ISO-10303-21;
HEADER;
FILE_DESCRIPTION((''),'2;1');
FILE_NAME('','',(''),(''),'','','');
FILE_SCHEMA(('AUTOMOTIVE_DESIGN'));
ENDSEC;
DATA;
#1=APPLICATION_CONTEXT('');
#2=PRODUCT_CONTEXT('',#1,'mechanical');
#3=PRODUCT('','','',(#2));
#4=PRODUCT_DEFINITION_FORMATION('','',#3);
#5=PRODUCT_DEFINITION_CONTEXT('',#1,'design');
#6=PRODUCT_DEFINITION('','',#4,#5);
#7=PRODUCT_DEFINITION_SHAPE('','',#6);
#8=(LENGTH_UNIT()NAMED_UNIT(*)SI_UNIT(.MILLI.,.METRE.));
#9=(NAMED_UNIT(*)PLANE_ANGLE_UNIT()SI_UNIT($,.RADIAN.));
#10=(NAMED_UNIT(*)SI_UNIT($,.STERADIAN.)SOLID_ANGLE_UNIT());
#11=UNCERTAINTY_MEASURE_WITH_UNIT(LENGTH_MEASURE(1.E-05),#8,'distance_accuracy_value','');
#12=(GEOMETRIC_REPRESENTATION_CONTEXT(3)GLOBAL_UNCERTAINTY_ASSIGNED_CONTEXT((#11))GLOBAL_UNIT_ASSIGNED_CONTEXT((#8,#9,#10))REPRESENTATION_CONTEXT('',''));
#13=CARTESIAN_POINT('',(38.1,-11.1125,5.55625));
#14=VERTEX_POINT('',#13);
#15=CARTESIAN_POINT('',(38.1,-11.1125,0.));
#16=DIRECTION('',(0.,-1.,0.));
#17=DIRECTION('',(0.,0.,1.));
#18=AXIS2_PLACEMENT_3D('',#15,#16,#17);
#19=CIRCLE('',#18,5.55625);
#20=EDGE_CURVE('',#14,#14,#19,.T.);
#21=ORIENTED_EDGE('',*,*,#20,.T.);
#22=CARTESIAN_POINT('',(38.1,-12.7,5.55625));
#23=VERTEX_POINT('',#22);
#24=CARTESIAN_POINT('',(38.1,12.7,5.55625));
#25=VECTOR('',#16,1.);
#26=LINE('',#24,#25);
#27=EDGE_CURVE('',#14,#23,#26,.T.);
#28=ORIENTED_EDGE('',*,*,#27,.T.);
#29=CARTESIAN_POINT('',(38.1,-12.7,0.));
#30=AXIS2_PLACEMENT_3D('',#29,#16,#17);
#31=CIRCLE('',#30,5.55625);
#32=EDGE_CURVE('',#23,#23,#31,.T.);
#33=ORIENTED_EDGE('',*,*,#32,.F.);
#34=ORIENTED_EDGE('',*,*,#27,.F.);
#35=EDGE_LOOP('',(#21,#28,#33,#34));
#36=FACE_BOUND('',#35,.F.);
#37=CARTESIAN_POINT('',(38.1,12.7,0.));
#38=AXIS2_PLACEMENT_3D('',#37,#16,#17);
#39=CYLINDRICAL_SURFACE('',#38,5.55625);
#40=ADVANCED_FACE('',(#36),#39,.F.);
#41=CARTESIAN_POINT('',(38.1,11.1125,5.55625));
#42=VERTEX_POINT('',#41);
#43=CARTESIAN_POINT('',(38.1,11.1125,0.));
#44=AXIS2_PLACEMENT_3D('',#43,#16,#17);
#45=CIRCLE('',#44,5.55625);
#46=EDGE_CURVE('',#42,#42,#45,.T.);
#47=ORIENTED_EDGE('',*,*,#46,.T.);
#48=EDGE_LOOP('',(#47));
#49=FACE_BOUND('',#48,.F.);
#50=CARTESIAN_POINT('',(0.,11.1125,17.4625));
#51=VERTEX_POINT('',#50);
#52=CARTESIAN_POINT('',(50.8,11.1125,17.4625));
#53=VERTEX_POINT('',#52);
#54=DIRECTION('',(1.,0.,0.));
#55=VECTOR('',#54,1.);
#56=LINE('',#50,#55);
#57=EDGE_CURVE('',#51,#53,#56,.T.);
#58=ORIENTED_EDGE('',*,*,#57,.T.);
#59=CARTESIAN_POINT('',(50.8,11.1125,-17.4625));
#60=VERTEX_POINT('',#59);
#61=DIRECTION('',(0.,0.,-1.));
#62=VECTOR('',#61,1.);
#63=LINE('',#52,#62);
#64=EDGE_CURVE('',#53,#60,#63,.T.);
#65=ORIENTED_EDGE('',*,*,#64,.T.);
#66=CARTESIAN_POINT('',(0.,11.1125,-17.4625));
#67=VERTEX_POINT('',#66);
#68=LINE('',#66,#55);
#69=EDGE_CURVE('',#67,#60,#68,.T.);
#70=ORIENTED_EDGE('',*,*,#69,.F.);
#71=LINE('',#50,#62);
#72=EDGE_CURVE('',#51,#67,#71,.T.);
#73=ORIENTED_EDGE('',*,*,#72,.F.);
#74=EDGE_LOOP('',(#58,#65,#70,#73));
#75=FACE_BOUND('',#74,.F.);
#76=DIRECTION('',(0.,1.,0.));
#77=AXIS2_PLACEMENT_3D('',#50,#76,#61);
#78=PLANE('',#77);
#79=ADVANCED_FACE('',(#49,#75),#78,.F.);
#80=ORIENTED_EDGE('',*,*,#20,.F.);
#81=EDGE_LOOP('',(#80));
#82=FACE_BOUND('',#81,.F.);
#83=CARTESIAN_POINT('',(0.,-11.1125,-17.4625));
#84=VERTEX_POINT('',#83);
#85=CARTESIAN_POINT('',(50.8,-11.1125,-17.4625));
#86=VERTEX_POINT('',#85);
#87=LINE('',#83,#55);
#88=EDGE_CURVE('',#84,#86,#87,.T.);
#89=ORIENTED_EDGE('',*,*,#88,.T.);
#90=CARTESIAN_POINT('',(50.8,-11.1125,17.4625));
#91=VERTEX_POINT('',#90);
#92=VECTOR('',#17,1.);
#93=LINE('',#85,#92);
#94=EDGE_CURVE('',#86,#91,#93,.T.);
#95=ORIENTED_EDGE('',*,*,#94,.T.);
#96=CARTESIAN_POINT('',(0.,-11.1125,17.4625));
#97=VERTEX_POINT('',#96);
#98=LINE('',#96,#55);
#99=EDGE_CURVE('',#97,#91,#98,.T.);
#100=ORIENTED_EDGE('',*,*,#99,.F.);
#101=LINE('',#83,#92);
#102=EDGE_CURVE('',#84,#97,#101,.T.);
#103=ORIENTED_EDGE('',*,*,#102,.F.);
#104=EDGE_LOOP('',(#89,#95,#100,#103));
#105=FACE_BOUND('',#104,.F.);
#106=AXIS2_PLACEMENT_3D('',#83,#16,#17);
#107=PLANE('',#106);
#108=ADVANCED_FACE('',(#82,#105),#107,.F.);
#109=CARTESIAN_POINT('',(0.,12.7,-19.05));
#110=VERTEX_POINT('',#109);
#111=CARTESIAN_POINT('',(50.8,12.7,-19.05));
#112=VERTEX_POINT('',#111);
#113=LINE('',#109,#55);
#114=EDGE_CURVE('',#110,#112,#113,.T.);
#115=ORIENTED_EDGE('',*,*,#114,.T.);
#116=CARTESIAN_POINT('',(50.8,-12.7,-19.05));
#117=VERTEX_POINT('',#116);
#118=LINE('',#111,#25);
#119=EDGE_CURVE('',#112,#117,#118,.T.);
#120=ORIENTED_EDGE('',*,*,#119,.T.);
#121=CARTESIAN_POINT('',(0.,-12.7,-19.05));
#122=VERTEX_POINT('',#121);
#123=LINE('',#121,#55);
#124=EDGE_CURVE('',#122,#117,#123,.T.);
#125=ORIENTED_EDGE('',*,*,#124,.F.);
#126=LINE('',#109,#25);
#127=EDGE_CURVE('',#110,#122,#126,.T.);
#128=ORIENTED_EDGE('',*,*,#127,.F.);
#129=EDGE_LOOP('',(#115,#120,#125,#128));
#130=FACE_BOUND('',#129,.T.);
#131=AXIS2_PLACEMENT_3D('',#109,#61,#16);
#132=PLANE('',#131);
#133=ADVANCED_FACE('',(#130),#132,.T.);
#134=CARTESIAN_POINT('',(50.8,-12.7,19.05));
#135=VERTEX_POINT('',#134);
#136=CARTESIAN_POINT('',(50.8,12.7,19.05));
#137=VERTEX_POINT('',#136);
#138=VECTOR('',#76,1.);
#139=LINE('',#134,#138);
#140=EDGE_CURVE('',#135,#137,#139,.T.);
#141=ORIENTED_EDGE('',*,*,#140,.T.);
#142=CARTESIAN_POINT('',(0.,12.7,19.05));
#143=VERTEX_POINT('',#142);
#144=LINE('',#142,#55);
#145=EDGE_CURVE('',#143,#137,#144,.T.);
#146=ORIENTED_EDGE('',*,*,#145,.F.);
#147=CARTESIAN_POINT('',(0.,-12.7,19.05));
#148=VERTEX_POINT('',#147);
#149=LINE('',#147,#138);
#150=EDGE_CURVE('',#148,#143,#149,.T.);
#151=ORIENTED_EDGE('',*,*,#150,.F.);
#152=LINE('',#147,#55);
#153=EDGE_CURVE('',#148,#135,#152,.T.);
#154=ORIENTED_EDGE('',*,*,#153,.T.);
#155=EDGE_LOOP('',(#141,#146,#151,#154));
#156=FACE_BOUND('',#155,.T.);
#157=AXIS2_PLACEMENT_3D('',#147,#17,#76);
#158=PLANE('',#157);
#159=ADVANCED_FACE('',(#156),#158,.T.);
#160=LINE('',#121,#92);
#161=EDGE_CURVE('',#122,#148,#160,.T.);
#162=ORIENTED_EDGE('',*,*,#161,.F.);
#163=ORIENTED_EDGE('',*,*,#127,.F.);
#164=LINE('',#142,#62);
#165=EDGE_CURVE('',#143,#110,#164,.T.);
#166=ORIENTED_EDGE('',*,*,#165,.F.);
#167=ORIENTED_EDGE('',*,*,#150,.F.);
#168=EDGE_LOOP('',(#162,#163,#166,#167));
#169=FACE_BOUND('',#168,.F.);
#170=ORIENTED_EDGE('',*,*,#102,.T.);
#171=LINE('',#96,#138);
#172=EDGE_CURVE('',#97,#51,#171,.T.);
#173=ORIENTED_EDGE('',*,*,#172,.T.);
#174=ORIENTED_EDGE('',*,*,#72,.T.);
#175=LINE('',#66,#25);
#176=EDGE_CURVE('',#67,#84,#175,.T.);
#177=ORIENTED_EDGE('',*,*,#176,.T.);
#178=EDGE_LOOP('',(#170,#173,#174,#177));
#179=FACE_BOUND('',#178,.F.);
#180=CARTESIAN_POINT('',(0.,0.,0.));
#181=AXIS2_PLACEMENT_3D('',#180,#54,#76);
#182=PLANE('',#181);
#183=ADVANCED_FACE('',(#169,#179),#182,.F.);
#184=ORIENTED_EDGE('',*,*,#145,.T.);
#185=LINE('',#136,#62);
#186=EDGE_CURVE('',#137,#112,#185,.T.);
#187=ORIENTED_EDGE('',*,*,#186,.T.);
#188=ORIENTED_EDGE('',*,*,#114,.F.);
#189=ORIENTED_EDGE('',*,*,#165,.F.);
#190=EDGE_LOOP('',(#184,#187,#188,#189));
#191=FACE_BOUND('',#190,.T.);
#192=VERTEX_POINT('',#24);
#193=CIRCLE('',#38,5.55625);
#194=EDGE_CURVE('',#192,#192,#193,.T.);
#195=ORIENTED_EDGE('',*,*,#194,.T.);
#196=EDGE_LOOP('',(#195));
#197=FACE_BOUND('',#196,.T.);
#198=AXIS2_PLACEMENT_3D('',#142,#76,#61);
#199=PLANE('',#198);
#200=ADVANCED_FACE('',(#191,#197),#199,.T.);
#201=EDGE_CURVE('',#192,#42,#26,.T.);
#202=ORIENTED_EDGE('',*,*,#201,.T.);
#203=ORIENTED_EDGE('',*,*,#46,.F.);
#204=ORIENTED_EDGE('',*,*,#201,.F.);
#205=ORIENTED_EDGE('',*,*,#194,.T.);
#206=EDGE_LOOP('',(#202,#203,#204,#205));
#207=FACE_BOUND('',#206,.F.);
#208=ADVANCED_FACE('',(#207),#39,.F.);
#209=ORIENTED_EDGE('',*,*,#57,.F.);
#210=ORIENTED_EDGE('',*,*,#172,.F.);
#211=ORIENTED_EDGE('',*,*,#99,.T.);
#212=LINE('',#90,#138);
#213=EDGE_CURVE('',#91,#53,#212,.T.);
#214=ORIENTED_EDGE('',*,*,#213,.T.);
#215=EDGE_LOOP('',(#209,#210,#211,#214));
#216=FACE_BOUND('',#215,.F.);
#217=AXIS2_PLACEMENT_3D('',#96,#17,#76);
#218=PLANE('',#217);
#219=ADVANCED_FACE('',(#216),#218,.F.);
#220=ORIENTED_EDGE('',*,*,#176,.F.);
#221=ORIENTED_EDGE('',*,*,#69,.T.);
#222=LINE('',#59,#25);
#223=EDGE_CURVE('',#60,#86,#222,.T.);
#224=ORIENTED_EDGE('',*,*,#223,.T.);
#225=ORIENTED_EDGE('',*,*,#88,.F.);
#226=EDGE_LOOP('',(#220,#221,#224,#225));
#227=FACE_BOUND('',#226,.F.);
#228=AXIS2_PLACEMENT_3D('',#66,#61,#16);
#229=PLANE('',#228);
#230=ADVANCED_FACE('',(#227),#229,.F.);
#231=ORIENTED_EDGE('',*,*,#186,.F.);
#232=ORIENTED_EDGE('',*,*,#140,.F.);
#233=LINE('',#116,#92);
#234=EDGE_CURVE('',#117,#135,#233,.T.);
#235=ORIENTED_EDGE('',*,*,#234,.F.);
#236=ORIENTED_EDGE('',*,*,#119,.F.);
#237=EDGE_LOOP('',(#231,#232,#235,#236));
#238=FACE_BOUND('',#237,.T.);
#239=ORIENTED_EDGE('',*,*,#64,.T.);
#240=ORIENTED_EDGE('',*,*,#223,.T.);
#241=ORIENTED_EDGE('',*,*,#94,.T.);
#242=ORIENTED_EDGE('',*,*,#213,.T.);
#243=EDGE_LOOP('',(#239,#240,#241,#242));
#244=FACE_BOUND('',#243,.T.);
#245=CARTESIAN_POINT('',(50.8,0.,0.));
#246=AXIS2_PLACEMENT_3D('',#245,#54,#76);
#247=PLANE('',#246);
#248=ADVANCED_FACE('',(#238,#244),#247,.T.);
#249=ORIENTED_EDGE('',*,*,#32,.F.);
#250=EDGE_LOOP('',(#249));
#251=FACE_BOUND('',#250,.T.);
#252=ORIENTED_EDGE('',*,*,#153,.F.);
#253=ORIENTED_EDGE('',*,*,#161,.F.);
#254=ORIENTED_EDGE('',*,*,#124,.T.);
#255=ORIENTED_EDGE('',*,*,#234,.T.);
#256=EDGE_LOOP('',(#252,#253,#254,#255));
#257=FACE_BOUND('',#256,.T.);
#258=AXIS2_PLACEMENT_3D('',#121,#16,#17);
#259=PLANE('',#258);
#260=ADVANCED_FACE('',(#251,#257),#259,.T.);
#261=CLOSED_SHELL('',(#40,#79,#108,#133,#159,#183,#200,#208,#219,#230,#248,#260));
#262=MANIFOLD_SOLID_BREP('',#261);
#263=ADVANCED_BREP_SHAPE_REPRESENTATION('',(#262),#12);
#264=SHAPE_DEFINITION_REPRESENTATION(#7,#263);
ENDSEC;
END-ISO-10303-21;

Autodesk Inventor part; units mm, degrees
ref_plane "Work Plane3" through (0, 12.7, 0) normal (0, 1, 0) x (-1, 0, 0)
ref_plane "Start Plane" through (0, 0, 0) normal (1, 0, 0) x (0, 1, 0)
ref_plane "End Plane" through (50.8, 0, 0) normal (1, 0, 0) x (0, 1, 0)
sketch "Sketch" plane through (0, 0, 0) normal (1, 0, 0) x (0, 1, 0)
  line L0 (-12.7, 19.05) -> (12.7, 19.05)
  line L1 (12.7, 19.05) -> (12.7, -19.05)
  line L2 (12.7, -19.05) -> (-12.7, -19.05)
  line L3 (-12.7, -19.05) -> (-12.7, 19.05)
  line L4 (-12.7, 19.05) -> (12.7, -19.05) construction
  line L5 (12.7, 19.05) -> (-12.7, -19.05) construction
  line L6 (-11.1125, 17.4625) -> (11.1125, 17.4625)
  line L7 (11.1125, 17.4625) -> (11.1125, -17.4625)
  line L8 (11.1125, -17.4625) -> (-11.1125, -17.4625)
  line L9 (-11.1125, -17.4625) -> (-11.1125, 17.4625)
  line L10 (-11.1125, 17.4625) -> (11.1125, -17.4625) construction
  line L11 (11.1125, 17.4625) -> (-11.1125, -17.4625) construction
  point P0 (0, 0)
  dimension "d0" = 38.1
  dimension "d1" = 25.4
  dimension "d2" = 1.5875
  dimension "d3" = 1.5875
extrude "Body" add sketch "Sketch" along normal up to surface (50.8 mm away) from surface at 0
sketch "Sketch8" plane through (0, 0, 0) normal (1, 0, 0) x (0, 1, 0)
  line L0 (0, 0) -> (10, 0)
ref_plane "Work Plane6" through (0, 0, 0) normal (0, 0, -1) x (0, 1, 0)
sketch "Sketch9" plane through (0, 0, 0) normal (0, 0, -1) x (0, 1, 0)
  line L0 (-17.78, 0) -> (17.78, 0)
  line L1 (-17.78, 50.8) -> (17.78, 50.8)
  dimension "d21" = 50.8
sketch "Sketch5" plane through (0, 12.7, -19.05) normal (0, 1, 0) x (1, 0, 0)
  line L0 (0, -38.1) -> (0, 0) projected
  point P0 (0, -19.05)
  point P1 (38.1, -19.05)
  dimension "d22" = 38.1
hole "Hole2" at (38.1, 12.7, 0) direction (0, -1, 0) diameter 11.1125 end through all
equation "\"d3\" = d2"
equation "\"G_OFFSET_START\" = 0"
equation "\"G_OFFSET_END\" = 0"
equation "\"d17\" = d4 + G_OFFSET_END"
equation "\"G_L\" = d21"
equation "\"d4\" = 50.8"
properties part number "1605036781029"
